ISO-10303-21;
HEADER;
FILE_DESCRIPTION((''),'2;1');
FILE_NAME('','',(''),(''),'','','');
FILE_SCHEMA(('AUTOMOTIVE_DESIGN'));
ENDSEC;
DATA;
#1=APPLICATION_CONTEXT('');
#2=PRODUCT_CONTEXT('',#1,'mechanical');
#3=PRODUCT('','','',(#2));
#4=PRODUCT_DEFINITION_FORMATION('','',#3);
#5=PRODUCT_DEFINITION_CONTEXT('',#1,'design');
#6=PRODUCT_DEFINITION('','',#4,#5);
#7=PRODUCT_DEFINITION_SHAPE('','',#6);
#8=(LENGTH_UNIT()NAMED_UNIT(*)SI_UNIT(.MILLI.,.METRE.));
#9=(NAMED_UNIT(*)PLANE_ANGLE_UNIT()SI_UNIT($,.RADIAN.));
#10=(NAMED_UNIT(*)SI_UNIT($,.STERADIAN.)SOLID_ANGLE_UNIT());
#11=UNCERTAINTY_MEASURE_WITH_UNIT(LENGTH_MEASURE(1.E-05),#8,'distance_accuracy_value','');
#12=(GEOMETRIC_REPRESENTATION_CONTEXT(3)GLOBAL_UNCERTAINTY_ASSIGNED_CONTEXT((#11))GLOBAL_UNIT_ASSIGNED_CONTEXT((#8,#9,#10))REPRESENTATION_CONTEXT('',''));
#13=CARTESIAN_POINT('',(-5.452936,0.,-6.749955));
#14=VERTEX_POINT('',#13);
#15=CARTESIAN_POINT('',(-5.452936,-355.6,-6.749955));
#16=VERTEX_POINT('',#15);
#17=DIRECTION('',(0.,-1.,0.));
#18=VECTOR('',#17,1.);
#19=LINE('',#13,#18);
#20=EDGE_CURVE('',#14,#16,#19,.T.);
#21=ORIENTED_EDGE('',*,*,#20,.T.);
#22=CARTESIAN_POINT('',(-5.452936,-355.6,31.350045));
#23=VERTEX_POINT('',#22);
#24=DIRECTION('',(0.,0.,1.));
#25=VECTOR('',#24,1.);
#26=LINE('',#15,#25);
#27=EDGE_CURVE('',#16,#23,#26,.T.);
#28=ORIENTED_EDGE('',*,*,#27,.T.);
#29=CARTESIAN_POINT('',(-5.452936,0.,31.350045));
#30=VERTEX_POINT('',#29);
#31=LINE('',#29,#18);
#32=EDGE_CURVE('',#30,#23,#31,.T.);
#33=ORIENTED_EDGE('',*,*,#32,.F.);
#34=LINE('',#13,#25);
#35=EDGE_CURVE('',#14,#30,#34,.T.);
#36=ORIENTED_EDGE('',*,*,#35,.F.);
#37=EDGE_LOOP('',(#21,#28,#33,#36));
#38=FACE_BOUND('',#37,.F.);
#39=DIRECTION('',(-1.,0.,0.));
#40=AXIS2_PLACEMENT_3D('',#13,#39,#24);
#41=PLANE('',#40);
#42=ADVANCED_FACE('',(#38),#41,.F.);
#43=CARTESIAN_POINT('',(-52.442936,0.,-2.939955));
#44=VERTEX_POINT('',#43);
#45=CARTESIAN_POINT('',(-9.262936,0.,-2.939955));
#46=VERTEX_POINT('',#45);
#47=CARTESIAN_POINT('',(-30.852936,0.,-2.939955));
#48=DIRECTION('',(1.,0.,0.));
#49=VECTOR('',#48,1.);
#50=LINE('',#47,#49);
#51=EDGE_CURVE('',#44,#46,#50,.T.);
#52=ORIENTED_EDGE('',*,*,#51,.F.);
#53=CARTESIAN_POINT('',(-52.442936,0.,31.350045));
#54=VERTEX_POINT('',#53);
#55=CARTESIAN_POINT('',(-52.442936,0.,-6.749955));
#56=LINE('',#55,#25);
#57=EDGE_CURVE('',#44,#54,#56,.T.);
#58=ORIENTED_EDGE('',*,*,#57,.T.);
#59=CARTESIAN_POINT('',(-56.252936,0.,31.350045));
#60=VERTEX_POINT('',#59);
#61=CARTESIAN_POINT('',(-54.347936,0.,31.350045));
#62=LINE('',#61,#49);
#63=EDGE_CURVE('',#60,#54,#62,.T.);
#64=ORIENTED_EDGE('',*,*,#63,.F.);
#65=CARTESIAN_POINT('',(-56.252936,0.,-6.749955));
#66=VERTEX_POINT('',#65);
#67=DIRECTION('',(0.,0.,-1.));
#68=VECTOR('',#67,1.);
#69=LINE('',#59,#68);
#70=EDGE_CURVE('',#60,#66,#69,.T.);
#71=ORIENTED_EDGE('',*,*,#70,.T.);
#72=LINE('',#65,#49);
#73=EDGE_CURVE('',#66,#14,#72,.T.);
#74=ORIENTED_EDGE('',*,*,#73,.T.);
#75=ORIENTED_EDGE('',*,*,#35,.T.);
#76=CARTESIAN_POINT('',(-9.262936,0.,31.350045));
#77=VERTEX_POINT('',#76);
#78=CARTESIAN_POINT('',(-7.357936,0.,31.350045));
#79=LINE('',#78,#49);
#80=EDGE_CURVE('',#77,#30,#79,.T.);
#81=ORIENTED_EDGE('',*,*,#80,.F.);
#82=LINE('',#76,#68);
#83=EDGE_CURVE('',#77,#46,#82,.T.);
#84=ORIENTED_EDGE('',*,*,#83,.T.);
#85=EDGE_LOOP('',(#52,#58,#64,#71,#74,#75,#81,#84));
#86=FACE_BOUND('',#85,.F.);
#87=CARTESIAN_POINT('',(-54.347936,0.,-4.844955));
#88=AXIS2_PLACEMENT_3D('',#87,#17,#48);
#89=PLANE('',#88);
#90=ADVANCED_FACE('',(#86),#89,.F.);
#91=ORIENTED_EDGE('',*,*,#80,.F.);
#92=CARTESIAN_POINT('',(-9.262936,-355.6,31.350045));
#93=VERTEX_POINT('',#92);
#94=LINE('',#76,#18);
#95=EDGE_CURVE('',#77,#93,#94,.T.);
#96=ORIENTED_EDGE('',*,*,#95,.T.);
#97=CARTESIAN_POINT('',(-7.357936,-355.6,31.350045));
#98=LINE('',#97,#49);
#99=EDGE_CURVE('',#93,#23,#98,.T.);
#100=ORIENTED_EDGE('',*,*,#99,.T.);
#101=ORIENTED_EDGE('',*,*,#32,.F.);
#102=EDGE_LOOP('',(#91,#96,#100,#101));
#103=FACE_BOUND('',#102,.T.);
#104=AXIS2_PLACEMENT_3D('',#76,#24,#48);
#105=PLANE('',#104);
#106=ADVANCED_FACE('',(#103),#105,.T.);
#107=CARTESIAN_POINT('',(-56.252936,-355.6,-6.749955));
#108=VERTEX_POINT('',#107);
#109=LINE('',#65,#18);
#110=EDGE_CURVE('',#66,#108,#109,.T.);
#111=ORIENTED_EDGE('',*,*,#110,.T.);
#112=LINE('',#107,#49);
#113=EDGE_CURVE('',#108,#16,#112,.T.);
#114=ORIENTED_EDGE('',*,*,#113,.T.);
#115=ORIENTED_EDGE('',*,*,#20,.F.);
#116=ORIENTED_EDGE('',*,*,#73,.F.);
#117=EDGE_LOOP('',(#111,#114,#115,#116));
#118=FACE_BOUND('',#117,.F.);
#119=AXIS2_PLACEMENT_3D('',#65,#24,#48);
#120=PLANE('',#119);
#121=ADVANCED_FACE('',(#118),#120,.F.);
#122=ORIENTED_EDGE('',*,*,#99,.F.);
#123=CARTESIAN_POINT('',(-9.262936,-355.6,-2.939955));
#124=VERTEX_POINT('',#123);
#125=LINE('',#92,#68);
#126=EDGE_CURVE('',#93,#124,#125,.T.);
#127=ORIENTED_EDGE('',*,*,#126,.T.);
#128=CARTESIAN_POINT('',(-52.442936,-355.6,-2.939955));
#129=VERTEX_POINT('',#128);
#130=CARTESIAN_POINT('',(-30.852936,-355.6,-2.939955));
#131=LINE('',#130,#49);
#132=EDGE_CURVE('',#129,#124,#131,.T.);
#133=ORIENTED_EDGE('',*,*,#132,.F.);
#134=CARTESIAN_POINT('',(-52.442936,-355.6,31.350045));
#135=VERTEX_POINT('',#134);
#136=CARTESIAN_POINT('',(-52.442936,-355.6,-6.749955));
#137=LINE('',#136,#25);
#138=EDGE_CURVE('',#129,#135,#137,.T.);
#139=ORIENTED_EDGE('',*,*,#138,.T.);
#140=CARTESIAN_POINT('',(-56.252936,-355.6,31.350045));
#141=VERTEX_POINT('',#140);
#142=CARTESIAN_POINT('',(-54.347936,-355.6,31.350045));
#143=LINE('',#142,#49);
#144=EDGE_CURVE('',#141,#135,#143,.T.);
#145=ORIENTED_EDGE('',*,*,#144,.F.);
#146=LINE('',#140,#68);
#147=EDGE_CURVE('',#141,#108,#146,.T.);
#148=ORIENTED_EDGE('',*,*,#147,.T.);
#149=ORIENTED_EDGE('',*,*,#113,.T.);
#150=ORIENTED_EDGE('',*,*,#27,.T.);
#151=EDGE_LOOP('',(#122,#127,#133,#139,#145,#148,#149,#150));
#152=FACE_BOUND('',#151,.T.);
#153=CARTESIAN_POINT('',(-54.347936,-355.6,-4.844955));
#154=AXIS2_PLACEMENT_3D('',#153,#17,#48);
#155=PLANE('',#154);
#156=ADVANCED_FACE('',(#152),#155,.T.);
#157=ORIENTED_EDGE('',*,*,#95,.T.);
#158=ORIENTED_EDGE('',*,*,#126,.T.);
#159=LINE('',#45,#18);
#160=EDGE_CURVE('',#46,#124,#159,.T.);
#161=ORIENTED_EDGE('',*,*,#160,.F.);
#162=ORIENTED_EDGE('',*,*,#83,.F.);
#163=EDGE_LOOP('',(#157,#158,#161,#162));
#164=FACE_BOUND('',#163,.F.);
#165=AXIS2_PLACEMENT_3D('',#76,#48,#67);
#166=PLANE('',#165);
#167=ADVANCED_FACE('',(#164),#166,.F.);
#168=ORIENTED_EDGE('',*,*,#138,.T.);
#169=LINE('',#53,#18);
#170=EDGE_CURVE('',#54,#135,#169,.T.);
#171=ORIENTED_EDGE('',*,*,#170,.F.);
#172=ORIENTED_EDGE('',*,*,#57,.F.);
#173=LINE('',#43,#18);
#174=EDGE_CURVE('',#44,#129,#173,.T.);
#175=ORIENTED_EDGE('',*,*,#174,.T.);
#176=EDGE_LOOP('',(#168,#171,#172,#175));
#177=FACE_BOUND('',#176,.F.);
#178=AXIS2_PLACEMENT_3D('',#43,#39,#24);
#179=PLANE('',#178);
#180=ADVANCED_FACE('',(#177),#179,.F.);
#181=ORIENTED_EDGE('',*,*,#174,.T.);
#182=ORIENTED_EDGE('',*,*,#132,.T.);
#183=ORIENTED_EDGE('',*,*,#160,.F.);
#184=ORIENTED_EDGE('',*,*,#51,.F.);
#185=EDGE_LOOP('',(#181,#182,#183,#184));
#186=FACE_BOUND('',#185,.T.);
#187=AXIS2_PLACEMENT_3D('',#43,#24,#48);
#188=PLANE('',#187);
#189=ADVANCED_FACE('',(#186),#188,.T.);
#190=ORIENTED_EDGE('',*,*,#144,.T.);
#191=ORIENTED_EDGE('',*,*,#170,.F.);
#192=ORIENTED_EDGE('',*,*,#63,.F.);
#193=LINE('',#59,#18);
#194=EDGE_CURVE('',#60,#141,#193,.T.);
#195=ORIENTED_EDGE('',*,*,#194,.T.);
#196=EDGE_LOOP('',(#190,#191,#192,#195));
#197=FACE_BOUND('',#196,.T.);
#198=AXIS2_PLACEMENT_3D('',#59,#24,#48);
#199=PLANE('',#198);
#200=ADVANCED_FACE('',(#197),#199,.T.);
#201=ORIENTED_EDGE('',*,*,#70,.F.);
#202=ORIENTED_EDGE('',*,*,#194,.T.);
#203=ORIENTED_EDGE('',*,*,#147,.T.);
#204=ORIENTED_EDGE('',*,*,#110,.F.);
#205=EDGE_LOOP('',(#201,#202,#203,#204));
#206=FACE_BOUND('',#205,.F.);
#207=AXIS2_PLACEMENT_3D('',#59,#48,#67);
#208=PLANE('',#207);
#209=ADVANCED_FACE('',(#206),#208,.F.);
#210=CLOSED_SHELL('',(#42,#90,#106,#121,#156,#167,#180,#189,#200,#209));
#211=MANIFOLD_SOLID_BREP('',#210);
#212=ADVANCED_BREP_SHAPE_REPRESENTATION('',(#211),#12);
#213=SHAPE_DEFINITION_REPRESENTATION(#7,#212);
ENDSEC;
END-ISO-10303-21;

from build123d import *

# Parameters (mm, degrees)
F0_W     = 3.81
F0_H     = 3.81
F0_H_2   = 34.29
F0_W_2   = 43.18
F1_DEPTH = 355.6


with BuildPart() as f1:
    # F0 (on Front) → F1 (new body)
    with BuildSketch(Plane.XZ):
        with Locations((-54.347936, -4.844955)):
            Rectangle(F0_W, F0_H)
        with Locations((-7.357936, -4.844955)):
            Rectangle(F0_W, F0_H)
        with Locations((-54.347936, 14.205045)):
            Rectangle(F0_W, F0_H_2)
        with Locations((-7.357936, 14.205045)):
            Rectangle(F0_W, F0_H_2)
        with Locations((-30.852936, -4.844955)):
            Rectangle(F0_W_2, F0_H)
    extrude(amount=F1_DEPTH)


solid = f1.part
